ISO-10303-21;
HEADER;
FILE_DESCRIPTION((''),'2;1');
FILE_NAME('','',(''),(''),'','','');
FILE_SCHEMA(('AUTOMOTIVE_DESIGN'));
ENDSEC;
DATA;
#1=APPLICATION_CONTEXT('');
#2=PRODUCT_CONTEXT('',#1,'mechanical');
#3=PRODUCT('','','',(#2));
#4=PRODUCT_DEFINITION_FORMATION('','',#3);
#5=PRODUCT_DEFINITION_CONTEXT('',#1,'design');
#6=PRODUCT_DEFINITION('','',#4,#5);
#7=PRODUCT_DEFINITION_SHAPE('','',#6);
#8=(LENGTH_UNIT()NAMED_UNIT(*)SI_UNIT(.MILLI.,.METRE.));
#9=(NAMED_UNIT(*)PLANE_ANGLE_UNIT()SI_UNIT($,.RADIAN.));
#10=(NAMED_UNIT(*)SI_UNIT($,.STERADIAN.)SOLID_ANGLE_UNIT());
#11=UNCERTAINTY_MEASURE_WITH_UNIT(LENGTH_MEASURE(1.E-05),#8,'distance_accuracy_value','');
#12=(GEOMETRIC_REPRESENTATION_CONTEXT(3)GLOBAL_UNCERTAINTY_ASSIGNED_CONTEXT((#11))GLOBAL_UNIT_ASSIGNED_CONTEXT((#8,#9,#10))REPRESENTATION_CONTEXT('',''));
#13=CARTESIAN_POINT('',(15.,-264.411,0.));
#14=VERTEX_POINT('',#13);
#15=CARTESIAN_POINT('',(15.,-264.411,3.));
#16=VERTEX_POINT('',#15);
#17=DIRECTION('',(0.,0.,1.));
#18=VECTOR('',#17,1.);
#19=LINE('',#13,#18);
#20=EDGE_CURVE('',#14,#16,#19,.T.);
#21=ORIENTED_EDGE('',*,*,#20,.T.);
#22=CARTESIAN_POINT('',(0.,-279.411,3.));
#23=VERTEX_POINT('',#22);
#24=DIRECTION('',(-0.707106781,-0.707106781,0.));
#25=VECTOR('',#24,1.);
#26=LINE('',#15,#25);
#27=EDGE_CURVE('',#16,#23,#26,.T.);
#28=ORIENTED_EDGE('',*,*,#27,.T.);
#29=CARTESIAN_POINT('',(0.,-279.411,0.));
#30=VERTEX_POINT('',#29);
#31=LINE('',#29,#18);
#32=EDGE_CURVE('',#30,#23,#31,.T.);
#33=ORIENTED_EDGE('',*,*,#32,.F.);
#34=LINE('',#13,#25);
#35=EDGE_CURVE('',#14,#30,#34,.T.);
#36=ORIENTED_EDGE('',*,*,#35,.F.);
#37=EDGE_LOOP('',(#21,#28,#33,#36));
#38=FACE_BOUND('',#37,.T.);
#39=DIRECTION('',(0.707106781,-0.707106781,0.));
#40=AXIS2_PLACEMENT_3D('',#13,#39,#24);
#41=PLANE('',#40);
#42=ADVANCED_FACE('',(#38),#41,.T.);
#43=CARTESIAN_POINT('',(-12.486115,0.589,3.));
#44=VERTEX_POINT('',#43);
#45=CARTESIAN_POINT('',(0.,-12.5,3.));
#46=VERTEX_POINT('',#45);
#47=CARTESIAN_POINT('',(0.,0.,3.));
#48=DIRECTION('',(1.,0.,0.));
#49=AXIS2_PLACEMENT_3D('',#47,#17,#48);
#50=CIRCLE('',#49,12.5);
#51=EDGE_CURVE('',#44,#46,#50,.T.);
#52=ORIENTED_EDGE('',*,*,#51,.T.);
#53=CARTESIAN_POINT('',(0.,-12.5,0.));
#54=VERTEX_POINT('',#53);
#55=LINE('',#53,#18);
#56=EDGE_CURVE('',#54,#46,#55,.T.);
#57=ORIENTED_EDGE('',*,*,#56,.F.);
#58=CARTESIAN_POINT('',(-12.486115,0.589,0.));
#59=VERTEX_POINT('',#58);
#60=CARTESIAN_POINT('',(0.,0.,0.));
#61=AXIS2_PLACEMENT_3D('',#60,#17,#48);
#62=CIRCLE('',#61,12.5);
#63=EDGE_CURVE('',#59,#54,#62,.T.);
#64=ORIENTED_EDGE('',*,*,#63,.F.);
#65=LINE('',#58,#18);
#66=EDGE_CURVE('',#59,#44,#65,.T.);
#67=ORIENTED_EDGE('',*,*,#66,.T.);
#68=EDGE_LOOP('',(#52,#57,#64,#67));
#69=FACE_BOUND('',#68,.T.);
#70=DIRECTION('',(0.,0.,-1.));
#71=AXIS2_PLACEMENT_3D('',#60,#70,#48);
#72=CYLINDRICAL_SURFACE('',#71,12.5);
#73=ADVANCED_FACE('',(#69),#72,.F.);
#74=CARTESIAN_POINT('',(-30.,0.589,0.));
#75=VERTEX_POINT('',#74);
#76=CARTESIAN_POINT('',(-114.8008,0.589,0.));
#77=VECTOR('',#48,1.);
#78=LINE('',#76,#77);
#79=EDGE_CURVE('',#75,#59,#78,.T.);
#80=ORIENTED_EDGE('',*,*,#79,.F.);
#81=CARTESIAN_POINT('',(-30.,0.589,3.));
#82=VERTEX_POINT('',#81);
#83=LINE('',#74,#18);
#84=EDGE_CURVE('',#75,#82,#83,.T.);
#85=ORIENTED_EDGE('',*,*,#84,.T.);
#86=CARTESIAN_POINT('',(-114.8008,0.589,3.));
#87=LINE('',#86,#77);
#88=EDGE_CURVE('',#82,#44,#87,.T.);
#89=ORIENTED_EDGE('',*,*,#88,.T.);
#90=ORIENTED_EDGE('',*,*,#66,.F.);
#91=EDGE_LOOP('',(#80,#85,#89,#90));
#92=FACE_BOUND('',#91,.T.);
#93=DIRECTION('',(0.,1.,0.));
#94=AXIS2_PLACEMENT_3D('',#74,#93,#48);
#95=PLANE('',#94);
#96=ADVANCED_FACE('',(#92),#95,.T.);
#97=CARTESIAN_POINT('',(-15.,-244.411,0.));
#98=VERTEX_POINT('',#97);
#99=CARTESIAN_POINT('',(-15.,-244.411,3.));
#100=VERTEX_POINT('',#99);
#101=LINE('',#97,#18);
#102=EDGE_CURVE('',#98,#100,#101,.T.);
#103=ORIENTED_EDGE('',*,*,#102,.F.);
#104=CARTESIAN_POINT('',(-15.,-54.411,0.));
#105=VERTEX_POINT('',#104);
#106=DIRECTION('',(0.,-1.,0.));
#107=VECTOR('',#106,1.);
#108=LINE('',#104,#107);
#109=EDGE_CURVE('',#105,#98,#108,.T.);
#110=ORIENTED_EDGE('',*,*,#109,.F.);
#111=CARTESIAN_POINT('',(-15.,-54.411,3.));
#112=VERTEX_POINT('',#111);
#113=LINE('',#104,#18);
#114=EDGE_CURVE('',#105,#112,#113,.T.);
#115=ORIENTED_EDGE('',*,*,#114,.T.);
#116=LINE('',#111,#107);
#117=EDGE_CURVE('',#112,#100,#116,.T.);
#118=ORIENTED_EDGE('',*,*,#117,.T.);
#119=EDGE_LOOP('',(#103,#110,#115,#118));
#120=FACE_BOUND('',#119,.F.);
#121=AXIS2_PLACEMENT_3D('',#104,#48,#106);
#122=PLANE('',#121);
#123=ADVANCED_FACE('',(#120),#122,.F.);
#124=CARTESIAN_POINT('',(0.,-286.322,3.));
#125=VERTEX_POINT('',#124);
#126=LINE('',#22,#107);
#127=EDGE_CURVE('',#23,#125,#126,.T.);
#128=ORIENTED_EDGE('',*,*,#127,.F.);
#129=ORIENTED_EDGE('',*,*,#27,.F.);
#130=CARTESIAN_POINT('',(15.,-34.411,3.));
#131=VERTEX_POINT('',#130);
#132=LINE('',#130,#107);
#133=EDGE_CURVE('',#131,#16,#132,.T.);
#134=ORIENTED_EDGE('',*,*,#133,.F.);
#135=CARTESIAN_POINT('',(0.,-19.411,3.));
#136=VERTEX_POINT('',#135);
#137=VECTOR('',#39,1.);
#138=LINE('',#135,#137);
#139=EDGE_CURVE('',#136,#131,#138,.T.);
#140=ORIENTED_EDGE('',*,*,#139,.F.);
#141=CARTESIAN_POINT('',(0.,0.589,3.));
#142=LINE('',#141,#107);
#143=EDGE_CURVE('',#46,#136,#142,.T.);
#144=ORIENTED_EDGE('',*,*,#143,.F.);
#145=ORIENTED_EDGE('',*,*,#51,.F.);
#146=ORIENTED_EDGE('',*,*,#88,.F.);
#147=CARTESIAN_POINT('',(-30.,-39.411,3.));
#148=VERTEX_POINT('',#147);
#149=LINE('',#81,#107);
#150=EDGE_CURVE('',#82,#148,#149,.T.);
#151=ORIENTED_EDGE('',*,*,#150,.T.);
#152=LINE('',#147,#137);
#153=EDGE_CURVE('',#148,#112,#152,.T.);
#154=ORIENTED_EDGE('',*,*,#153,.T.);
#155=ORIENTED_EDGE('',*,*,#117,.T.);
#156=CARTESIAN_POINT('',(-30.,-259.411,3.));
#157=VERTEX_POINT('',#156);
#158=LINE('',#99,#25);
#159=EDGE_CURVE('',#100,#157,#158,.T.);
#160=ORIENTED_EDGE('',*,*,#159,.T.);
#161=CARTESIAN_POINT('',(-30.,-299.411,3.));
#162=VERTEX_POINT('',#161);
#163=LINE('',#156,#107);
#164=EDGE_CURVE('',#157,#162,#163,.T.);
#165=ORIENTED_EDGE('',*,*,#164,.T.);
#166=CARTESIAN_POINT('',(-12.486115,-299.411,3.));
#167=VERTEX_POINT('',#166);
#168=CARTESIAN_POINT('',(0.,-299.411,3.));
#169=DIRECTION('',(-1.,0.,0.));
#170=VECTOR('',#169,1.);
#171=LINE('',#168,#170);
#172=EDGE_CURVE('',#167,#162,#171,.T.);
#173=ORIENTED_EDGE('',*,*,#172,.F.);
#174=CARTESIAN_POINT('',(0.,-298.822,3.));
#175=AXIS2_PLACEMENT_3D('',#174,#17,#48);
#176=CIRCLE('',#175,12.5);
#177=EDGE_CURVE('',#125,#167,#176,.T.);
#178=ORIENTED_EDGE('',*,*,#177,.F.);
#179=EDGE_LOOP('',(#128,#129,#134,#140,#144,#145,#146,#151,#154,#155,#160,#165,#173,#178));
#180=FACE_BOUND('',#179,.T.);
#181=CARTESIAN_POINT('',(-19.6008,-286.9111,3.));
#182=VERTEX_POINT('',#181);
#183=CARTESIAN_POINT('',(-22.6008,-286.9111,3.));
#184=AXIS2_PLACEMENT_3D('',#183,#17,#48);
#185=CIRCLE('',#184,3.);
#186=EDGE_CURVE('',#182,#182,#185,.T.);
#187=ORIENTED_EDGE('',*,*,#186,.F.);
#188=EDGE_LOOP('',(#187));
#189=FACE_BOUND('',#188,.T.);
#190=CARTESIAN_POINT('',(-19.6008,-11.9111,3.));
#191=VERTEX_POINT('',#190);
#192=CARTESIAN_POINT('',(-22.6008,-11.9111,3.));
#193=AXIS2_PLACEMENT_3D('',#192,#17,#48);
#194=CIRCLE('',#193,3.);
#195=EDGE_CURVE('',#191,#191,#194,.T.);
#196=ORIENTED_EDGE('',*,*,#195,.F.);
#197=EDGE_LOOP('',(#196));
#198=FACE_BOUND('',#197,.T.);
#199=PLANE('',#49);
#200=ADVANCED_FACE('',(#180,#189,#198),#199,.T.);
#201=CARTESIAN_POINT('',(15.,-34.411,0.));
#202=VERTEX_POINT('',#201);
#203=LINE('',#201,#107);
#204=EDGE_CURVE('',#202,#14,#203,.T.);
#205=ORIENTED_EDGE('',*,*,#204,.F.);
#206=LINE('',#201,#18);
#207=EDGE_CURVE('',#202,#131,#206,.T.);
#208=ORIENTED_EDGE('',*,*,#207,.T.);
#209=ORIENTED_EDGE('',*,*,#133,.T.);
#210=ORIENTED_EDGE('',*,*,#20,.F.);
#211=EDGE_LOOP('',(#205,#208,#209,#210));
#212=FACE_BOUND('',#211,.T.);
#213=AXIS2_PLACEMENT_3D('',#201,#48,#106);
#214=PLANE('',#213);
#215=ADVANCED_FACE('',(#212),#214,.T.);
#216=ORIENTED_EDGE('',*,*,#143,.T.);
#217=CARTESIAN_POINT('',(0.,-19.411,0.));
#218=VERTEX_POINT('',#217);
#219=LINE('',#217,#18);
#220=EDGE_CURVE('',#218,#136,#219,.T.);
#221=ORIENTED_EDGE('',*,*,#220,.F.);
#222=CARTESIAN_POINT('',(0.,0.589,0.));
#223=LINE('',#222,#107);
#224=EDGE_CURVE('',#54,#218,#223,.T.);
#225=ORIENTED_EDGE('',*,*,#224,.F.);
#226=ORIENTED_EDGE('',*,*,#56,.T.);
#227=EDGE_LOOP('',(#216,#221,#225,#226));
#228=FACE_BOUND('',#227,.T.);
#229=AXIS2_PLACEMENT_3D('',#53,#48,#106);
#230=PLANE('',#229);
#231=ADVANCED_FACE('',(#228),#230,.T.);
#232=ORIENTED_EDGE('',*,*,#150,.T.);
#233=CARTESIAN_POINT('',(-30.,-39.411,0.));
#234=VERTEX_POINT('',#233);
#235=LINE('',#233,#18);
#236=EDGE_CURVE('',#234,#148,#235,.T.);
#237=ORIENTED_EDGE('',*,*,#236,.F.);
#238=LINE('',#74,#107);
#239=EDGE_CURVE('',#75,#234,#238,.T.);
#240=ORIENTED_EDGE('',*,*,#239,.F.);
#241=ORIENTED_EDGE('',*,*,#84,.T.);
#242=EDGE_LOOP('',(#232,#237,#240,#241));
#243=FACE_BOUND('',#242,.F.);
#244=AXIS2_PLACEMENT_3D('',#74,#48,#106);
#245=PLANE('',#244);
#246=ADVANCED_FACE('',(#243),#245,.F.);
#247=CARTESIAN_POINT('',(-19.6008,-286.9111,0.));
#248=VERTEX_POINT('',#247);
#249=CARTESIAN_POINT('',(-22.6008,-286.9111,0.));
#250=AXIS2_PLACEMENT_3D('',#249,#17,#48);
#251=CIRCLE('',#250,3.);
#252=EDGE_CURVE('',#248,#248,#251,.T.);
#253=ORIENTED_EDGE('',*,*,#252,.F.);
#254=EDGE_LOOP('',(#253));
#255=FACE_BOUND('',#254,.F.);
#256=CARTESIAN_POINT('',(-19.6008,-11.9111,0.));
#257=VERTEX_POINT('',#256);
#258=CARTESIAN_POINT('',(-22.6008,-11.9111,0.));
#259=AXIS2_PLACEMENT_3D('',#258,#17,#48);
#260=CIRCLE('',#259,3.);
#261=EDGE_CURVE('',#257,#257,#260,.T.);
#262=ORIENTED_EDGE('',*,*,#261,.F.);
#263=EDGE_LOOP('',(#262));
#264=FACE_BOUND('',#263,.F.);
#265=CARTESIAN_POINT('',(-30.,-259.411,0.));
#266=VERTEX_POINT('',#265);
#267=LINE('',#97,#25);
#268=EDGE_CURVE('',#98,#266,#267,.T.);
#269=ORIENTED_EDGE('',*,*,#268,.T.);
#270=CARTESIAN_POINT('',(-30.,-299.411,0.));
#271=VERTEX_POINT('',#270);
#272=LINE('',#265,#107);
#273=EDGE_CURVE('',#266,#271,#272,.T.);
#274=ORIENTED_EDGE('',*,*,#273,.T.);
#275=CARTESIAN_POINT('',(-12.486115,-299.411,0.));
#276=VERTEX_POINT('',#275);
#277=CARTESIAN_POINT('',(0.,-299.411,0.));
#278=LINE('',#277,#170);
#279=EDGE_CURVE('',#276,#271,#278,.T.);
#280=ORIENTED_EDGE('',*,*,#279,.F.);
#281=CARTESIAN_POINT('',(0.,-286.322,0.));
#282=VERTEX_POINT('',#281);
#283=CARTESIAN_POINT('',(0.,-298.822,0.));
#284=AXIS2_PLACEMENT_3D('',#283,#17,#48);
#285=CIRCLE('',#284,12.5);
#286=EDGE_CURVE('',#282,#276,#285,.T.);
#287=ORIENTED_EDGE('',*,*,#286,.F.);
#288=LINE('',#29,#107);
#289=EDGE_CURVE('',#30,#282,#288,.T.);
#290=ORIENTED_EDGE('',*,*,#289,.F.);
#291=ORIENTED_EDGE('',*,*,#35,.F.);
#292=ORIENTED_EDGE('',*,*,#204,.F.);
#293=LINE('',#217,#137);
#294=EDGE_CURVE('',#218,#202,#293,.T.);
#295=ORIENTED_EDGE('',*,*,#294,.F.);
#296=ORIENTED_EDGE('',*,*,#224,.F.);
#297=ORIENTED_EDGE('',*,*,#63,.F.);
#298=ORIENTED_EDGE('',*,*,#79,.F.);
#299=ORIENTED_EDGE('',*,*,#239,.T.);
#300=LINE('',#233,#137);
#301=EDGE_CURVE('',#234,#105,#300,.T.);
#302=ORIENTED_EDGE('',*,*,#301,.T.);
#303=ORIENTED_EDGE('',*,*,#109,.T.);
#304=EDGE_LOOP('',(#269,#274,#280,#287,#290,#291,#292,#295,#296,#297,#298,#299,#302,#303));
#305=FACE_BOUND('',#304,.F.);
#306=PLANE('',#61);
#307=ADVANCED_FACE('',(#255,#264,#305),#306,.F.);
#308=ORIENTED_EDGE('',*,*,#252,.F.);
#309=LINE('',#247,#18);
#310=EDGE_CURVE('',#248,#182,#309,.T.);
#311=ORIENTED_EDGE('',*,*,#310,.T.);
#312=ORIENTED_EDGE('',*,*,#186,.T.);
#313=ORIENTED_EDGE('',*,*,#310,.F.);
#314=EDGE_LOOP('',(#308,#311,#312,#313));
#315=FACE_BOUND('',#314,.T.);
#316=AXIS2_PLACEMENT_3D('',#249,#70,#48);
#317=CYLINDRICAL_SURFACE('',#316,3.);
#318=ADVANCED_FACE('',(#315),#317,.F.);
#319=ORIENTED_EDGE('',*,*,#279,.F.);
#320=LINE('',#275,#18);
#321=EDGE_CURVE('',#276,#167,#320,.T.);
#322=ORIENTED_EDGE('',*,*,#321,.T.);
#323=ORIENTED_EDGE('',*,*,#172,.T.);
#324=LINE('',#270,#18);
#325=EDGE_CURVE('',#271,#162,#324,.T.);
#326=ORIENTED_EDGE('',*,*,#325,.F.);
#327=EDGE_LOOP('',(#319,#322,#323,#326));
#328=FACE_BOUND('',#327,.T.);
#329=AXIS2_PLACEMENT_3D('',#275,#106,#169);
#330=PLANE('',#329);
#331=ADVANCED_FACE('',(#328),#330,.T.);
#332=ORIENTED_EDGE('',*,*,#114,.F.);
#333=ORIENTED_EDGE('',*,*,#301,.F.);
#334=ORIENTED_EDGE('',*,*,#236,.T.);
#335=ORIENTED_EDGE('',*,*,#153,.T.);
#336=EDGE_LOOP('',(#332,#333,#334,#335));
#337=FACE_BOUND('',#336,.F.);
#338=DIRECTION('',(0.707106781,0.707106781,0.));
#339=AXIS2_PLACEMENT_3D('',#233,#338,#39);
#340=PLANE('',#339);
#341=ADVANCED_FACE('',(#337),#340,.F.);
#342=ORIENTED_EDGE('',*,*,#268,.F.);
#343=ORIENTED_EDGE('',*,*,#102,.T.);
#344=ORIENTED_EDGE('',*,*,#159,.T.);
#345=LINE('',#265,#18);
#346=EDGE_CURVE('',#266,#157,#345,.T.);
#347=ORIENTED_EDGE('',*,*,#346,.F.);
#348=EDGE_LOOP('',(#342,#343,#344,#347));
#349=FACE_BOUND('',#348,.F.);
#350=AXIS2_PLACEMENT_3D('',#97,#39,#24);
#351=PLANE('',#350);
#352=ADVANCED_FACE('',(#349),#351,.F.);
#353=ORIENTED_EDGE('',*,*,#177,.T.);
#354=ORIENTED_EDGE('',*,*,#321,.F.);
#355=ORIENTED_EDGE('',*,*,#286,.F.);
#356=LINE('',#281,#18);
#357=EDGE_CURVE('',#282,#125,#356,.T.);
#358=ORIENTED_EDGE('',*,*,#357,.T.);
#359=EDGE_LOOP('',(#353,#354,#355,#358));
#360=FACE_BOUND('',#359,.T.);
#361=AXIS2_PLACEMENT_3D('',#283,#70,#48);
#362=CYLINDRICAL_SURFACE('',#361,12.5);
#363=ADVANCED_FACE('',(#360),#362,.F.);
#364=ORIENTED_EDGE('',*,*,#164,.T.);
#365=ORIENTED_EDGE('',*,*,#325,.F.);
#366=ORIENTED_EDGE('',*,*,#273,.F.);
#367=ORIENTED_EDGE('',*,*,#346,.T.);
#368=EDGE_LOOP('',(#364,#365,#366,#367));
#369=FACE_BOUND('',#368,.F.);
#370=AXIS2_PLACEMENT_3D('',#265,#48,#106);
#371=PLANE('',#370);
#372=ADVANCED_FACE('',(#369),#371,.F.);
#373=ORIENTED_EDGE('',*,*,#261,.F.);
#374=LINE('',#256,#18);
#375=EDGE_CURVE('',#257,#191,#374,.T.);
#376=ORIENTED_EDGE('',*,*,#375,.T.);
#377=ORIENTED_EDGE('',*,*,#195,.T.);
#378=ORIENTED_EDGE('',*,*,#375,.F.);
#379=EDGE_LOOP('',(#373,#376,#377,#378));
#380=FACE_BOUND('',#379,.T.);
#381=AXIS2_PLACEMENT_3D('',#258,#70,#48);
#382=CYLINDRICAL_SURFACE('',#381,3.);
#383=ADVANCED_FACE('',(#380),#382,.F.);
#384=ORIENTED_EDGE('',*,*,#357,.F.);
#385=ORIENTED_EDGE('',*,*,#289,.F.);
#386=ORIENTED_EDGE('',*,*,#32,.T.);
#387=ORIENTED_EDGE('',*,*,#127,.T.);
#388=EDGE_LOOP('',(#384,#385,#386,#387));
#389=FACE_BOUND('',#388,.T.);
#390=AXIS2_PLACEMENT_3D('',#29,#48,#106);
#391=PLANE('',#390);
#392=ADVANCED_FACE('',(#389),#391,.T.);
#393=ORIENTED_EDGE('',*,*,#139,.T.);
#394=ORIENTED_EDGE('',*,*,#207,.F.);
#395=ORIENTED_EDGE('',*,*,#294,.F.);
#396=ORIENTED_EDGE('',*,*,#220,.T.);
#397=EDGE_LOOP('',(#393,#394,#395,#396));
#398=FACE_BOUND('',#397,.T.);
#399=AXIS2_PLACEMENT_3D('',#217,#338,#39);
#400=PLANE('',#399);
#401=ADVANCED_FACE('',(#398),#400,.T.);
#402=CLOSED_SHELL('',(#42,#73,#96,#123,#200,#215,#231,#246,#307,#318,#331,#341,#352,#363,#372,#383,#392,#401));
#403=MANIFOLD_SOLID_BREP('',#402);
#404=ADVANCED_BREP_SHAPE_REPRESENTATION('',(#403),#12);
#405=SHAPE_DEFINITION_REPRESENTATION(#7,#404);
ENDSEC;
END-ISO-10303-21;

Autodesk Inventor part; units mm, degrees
ref_plane "YZ Plane" through (0, 0, 0) normal (1, 0, 0) x (0, 1, 0)
ref_plane "XZ Plane" through (0, 0, 0) normal (0, 1, 0) x (-1, 0, 0)
ref_plane "XY Plane" through (0, 0, 0) normal (0, 0, 1) x (1, 0, 0)
sketch "Sketch1" plane through (0, 0, 0) normal (0, 0, 1) x (1, 0, 0)
  circle A0 centre (0, 0) radius 12.5
  circle A1 centre (0, -298.822) radius 12.5
  line L0 (-114.8008, 0.589) -> (0, 0.589)
  line L1 (0, 0.589) -> (0, -19.411)
  line L2 (0, -299.411) -> (-114.8008, -299.411)
  line L3 (-114.8008, -299.411) -> (-114.8008, 0.589) construction
  line L4 (-114.8008, 0.589) -> (0, -299.411) construction
  line L5 (0, 0.589) -> (-114.8008, -299.411) construction
  line L6 (-114.8008, -2.4111) -> (-114.8008, -296.4111) construction
  line L7 (0, -19.411) -> (15, -34.411)
  line L8 (15, -34.411) -> (15, -264.411)
  line L9 (15, -264.411) -> (0, -279.411)
  line L10 (-30, 0.589) -> (-30, -39.411)
  line L11 (-30, -39.411) -> (-15, -54.411)
  line L12 (-15, -54.411) -> (-15, -244.411)
  line L13 (-15, -244.411) -> (-30, -259.411)
  line L14 (-30, -259.411) -> (-30, -299.411)
  circle A2 centre (-22.6008, -11.9111) radius 3
  circle A3 centre (-22.6008, -286.9111) radius 3
  circle A4 centre (-22.6008, -286.9111) radius 3.5 construction
  circle A5 centre (-22.6008, -11.9111) radius 3.5 construction
  line L15 (0, -279.411) -> (0, -299.411)
  point P0 (-57.4004, -149.411)
  point P1 (12.4861, 0.589)
  point P2 (-12.4861, 0.589)
  point P3 (-12.4861, -299.411)
  point P4 (12.4861, -299.411)
  point P5 (2, -286.483)
  point P6 (0, -12.5)
  point P7 (0, -286.322)
  dimension "d0" = 25
  dimension "d1" = 25
  dimension "d2" = 298.822
  dimension "d3" = 300
  dimension "d4" = 149.411
  dimension "d6" = 149.411
  dimension "d12" = 20
  dimension "d13" = 20
  dimension "d14" = 15
  dimension "d15" = 45
  dimension "d16" = 45
  dimension "d17" = 40
  dimension "d18" = 40
  dimension "d19" = 30
  dimension "d21" = 6
  dimension "d22" = 6
  dimension "d23" = 0
  dimension "d24" = 15
  dimension "d25" = 45
  dimension "d26" = 45
extrude "Extrusion1" add sketch "Sketch1" along normal blind 3 contours A0 L1 L7 L8 L9 L15 A1 L2 L14 L13 L12 L11 L10 L0
equation "\"d4\" = d6"
equation "\"d18\" = d17"
properties part number "domePlace"
